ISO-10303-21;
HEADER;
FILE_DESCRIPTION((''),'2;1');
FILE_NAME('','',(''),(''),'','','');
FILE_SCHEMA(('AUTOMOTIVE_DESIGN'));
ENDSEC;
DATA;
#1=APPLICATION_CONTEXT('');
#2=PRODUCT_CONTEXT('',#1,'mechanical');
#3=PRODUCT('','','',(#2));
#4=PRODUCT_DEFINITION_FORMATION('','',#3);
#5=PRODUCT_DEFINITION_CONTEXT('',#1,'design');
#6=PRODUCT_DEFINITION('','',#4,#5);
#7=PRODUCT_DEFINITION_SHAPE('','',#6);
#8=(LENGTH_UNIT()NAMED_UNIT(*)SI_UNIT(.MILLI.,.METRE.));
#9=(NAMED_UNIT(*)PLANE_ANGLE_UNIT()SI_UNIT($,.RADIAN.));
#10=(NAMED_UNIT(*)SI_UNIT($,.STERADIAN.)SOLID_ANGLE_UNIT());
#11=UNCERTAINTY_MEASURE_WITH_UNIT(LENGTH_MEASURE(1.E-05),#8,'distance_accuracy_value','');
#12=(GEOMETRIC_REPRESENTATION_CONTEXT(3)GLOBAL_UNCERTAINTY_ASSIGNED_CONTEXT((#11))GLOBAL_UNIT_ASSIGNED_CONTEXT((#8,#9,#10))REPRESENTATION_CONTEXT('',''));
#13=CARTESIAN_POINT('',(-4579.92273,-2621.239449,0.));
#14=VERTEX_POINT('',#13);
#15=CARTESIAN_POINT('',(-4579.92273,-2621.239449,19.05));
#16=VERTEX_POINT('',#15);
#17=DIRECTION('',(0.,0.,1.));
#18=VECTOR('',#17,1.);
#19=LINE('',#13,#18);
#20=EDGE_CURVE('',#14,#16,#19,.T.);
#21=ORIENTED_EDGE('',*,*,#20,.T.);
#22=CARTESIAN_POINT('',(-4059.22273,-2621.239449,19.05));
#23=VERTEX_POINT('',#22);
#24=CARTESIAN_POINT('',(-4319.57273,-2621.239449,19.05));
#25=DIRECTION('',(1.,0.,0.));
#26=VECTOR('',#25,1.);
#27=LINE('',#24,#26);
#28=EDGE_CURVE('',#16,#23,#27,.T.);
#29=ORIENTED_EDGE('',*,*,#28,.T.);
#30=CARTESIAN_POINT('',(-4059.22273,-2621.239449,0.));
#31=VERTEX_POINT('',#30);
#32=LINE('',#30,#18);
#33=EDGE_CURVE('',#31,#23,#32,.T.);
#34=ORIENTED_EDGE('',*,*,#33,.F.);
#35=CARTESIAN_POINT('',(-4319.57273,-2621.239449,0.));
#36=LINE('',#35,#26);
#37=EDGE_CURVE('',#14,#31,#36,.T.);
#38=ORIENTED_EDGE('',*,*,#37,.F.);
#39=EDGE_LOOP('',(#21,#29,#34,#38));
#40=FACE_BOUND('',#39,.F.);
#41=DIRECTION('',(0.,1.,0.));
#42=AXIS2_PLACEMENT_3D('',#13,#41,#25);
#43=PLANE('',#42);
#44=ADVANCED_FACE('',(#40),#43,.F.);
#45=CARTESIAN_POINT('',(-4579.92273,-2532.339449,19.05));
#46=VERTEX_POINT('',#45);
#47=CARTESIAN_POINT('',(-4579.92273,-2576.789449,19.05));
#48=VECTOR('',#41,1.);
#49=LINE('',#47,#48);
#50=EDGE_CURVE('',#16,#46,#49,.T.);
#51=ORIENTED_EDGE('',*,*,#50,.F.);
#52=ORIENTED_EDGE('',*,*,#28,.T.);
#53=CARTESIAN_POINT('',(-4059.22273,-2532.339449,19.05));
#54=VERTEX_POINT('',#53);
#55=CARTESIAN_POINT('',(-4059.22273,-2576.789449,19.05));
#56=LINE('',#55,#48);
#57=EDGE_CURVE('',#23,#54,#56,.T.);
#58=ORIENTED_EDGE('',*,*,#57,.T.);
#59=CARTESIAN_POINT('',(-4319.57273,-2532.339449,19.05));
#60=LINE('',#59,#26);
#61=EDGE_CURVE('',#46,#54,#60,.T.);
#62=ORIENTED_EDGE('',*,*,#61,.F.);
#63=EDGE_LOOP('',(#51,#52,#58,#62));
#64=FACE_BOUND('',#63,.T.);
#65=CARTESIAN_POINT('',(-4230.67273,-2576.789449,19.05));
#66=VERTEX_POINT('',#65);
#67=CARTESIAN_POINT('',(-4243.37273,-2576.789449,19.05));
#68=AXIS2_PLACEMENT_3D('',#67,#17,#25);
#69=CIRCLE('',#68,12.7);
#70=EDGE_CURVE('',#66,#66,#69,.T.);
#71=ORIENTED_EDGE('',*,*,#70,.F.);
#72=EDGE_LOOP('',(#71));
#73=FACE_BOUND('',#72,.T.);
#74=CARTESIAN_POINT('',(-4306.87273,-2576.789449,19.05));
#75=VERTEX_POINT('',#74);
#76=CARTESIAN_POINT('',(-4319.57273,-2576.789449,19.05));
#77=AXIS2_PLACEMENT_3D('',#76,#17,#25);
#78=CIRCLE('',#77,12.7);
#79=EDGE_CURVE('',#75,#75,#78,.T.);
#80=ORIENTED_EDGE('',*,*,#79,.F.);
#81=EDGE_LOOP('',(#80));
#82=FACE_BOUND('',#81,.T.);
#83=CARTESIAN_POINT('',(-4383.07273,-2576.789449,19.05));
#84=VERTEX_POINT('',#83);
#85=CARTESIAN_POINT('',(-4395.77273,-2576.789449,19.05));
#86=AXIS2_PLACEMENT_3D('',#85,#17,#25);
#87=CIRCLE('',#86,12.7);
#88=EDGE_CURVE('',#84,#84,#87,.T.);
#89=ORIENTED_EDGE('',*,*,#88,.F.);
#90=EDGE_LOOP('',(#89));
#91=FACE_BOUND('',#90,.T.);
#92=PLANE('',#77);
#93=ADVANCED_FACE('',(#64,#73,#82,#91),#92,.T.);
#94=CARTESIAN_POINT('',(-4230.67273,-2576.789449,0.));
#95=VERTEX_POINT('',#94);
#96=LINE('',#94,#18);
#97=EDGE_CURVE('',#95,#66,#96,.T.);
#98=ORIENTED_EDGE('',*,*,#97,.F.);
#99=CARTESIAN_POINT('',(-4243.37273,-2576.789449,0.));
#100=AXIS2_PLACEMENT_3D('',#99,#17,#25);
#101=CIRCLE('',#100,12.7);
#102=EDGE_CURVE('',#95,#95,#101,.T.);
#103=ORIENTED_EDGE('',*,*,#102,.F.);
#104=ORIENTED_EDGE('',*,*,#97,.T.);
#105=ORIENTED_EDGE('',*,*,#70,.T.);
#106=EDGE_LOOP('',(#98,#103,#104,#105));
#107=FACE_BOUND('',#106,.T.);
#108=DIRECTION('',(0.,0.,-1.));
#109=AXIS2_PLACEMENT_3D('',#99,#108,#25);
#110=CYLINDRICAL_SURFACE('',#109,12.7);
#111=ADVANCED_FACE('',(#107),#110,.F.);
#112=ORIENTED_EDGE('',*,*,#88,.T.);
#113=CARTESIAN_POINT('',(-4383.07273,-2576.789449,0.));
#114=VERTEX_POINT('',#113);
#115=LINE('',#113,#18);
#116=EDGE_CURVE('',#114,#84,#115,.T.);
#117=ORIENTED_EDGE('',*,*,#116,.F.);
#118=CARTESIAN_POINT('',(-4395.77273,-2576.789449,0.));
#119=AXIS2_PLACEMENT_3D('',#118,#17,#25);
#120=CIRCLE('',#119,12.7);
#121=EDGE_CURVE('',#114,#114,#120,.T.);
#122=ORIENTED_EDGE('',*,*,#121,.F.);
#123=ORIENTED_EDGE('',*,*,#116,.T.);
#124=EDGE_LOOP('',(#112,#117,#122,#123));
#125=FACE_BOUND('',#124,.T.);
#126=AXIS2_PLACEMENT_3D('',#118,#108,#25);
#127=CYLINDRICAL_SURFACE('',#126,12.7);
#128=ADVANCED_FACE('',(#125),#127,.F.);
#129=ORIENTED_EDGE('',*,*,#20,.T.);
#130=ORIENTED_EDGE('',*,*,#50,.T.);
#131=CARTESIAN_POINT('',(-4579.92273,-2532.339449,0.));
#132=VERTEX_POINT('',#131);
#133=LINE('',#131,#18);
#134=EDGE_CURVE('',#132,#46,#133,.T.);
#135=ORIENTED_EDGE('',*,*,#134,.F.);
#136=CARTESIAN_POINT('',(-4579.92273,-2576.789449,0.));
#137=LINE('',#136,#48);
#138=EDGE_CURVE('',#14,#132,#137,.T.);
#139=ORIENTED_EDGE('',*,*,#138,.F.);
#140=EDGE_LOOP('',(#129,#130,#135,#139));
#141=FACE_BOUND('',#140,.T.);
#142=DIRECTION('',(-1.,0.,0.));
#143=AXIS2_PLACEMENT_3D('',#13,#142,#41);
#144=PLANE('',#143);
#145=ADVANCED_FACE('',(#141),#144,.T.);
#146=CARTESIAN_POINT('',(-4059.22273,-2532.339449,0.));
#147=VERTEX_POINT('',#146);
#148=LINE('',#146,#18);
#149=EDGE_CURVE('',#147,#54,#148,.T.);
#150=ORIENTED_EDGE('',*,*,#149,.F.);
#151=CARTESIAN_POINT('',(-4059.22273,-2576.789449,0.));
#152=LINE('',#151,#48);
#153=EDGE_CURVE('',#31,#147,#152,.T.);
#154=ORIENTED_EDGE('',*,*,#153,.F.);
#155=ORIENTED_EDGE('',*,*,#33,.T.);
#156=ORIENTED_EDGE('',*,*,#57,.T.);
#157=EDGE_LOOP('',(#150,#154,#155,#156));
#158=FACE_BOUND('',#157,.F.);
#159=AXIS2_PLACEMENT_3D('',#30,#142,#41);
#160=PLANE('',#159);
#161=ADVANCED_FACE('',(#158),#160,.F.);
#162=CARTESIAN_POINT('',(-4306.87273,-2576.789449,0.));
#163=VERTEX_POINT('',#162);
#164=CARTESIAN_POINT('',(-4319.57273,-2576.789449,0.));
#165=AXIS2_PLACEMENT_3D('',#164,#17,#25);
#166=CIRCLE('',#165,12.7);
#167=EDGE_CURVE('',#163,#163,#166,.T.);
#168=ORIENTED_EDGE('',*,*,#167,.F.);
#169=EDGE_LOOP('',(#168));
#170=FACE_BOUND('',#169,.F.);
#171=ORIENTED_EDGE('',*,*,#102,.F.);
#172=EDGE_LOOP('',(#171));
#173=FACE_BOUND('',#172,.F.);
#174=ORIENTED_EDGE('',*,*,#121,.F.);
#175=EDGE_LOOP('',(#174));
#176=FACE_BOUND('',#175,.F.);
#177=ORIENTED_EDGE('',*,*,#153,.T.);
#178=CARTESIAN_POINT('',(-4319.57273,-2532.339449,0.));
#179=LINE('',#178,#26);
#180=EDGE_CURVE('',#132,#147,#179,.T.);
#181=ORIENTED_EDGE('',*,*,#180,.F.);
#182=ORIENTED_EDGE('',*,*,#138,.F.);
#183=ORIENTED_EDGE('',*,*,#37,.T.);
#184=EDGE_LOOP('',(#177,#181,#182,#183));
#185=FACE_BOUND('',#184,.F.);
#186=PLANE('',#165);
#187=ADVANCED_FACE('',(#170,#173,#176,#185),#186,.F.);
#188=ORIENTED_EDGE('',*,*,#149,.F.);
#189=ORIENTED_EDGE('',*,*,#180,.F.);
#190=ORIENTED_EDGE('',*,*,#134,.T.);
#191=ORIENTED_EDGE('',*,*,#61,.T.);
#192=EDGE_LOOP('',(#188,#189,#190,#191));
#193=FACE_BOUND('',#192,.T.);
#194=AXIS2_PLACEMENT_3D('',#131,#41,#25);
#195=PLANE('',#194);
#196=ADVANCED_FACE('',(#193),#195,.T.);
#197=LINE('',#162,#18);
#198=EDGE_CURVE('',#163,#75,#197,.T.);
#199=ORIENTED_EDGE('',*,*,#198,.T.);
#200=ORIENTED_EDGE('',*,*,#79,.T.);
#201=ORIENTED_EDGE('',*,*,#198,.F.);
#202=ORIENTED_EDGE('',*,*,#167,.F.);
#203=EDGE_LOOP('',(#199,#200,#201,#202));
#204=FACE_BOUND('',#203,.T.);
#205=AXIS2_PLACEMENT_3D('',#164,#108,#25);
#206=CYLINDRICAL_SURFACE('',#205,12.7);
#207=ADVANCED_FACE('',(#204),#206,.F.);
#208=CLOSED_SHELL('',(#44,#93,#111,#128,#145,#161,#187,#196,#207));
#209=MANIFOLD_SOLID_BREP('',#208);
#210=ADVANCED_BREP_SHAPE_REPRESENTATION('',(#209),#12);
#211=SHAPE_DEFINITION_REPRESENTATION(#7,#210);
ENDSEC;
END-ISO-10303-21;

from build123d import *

# Parameters (mm, degrees)
F0_W     = 520.7
F0_H     = 88.9
F0_R     = 12.7
F1_DEPTH = 19.05


with BuildPart() as f1:
    # F0 (on Top) → F1 (new body)
    with BuildSketch(Plane.XY):
        with Locations((-4319.57273, -2576.789449)):
            Rectangle(F0_W, F0_H)
        with Locations((-4395.77273, -2576.789449)):
            Circle(F0_R, mode=Mode.SUBTRACT)
        with Locations((-4319.57273, -2576.789449)):
            Circle(F0_R, mode=Mode.SUBTRACT)
        with Locations((-4243.37273, -2576.789449)):
            Circle(F0_R, mode=Mode.SUBTRACT)
    extrude(amount=F1_DEPTH)


solid = f1.part
